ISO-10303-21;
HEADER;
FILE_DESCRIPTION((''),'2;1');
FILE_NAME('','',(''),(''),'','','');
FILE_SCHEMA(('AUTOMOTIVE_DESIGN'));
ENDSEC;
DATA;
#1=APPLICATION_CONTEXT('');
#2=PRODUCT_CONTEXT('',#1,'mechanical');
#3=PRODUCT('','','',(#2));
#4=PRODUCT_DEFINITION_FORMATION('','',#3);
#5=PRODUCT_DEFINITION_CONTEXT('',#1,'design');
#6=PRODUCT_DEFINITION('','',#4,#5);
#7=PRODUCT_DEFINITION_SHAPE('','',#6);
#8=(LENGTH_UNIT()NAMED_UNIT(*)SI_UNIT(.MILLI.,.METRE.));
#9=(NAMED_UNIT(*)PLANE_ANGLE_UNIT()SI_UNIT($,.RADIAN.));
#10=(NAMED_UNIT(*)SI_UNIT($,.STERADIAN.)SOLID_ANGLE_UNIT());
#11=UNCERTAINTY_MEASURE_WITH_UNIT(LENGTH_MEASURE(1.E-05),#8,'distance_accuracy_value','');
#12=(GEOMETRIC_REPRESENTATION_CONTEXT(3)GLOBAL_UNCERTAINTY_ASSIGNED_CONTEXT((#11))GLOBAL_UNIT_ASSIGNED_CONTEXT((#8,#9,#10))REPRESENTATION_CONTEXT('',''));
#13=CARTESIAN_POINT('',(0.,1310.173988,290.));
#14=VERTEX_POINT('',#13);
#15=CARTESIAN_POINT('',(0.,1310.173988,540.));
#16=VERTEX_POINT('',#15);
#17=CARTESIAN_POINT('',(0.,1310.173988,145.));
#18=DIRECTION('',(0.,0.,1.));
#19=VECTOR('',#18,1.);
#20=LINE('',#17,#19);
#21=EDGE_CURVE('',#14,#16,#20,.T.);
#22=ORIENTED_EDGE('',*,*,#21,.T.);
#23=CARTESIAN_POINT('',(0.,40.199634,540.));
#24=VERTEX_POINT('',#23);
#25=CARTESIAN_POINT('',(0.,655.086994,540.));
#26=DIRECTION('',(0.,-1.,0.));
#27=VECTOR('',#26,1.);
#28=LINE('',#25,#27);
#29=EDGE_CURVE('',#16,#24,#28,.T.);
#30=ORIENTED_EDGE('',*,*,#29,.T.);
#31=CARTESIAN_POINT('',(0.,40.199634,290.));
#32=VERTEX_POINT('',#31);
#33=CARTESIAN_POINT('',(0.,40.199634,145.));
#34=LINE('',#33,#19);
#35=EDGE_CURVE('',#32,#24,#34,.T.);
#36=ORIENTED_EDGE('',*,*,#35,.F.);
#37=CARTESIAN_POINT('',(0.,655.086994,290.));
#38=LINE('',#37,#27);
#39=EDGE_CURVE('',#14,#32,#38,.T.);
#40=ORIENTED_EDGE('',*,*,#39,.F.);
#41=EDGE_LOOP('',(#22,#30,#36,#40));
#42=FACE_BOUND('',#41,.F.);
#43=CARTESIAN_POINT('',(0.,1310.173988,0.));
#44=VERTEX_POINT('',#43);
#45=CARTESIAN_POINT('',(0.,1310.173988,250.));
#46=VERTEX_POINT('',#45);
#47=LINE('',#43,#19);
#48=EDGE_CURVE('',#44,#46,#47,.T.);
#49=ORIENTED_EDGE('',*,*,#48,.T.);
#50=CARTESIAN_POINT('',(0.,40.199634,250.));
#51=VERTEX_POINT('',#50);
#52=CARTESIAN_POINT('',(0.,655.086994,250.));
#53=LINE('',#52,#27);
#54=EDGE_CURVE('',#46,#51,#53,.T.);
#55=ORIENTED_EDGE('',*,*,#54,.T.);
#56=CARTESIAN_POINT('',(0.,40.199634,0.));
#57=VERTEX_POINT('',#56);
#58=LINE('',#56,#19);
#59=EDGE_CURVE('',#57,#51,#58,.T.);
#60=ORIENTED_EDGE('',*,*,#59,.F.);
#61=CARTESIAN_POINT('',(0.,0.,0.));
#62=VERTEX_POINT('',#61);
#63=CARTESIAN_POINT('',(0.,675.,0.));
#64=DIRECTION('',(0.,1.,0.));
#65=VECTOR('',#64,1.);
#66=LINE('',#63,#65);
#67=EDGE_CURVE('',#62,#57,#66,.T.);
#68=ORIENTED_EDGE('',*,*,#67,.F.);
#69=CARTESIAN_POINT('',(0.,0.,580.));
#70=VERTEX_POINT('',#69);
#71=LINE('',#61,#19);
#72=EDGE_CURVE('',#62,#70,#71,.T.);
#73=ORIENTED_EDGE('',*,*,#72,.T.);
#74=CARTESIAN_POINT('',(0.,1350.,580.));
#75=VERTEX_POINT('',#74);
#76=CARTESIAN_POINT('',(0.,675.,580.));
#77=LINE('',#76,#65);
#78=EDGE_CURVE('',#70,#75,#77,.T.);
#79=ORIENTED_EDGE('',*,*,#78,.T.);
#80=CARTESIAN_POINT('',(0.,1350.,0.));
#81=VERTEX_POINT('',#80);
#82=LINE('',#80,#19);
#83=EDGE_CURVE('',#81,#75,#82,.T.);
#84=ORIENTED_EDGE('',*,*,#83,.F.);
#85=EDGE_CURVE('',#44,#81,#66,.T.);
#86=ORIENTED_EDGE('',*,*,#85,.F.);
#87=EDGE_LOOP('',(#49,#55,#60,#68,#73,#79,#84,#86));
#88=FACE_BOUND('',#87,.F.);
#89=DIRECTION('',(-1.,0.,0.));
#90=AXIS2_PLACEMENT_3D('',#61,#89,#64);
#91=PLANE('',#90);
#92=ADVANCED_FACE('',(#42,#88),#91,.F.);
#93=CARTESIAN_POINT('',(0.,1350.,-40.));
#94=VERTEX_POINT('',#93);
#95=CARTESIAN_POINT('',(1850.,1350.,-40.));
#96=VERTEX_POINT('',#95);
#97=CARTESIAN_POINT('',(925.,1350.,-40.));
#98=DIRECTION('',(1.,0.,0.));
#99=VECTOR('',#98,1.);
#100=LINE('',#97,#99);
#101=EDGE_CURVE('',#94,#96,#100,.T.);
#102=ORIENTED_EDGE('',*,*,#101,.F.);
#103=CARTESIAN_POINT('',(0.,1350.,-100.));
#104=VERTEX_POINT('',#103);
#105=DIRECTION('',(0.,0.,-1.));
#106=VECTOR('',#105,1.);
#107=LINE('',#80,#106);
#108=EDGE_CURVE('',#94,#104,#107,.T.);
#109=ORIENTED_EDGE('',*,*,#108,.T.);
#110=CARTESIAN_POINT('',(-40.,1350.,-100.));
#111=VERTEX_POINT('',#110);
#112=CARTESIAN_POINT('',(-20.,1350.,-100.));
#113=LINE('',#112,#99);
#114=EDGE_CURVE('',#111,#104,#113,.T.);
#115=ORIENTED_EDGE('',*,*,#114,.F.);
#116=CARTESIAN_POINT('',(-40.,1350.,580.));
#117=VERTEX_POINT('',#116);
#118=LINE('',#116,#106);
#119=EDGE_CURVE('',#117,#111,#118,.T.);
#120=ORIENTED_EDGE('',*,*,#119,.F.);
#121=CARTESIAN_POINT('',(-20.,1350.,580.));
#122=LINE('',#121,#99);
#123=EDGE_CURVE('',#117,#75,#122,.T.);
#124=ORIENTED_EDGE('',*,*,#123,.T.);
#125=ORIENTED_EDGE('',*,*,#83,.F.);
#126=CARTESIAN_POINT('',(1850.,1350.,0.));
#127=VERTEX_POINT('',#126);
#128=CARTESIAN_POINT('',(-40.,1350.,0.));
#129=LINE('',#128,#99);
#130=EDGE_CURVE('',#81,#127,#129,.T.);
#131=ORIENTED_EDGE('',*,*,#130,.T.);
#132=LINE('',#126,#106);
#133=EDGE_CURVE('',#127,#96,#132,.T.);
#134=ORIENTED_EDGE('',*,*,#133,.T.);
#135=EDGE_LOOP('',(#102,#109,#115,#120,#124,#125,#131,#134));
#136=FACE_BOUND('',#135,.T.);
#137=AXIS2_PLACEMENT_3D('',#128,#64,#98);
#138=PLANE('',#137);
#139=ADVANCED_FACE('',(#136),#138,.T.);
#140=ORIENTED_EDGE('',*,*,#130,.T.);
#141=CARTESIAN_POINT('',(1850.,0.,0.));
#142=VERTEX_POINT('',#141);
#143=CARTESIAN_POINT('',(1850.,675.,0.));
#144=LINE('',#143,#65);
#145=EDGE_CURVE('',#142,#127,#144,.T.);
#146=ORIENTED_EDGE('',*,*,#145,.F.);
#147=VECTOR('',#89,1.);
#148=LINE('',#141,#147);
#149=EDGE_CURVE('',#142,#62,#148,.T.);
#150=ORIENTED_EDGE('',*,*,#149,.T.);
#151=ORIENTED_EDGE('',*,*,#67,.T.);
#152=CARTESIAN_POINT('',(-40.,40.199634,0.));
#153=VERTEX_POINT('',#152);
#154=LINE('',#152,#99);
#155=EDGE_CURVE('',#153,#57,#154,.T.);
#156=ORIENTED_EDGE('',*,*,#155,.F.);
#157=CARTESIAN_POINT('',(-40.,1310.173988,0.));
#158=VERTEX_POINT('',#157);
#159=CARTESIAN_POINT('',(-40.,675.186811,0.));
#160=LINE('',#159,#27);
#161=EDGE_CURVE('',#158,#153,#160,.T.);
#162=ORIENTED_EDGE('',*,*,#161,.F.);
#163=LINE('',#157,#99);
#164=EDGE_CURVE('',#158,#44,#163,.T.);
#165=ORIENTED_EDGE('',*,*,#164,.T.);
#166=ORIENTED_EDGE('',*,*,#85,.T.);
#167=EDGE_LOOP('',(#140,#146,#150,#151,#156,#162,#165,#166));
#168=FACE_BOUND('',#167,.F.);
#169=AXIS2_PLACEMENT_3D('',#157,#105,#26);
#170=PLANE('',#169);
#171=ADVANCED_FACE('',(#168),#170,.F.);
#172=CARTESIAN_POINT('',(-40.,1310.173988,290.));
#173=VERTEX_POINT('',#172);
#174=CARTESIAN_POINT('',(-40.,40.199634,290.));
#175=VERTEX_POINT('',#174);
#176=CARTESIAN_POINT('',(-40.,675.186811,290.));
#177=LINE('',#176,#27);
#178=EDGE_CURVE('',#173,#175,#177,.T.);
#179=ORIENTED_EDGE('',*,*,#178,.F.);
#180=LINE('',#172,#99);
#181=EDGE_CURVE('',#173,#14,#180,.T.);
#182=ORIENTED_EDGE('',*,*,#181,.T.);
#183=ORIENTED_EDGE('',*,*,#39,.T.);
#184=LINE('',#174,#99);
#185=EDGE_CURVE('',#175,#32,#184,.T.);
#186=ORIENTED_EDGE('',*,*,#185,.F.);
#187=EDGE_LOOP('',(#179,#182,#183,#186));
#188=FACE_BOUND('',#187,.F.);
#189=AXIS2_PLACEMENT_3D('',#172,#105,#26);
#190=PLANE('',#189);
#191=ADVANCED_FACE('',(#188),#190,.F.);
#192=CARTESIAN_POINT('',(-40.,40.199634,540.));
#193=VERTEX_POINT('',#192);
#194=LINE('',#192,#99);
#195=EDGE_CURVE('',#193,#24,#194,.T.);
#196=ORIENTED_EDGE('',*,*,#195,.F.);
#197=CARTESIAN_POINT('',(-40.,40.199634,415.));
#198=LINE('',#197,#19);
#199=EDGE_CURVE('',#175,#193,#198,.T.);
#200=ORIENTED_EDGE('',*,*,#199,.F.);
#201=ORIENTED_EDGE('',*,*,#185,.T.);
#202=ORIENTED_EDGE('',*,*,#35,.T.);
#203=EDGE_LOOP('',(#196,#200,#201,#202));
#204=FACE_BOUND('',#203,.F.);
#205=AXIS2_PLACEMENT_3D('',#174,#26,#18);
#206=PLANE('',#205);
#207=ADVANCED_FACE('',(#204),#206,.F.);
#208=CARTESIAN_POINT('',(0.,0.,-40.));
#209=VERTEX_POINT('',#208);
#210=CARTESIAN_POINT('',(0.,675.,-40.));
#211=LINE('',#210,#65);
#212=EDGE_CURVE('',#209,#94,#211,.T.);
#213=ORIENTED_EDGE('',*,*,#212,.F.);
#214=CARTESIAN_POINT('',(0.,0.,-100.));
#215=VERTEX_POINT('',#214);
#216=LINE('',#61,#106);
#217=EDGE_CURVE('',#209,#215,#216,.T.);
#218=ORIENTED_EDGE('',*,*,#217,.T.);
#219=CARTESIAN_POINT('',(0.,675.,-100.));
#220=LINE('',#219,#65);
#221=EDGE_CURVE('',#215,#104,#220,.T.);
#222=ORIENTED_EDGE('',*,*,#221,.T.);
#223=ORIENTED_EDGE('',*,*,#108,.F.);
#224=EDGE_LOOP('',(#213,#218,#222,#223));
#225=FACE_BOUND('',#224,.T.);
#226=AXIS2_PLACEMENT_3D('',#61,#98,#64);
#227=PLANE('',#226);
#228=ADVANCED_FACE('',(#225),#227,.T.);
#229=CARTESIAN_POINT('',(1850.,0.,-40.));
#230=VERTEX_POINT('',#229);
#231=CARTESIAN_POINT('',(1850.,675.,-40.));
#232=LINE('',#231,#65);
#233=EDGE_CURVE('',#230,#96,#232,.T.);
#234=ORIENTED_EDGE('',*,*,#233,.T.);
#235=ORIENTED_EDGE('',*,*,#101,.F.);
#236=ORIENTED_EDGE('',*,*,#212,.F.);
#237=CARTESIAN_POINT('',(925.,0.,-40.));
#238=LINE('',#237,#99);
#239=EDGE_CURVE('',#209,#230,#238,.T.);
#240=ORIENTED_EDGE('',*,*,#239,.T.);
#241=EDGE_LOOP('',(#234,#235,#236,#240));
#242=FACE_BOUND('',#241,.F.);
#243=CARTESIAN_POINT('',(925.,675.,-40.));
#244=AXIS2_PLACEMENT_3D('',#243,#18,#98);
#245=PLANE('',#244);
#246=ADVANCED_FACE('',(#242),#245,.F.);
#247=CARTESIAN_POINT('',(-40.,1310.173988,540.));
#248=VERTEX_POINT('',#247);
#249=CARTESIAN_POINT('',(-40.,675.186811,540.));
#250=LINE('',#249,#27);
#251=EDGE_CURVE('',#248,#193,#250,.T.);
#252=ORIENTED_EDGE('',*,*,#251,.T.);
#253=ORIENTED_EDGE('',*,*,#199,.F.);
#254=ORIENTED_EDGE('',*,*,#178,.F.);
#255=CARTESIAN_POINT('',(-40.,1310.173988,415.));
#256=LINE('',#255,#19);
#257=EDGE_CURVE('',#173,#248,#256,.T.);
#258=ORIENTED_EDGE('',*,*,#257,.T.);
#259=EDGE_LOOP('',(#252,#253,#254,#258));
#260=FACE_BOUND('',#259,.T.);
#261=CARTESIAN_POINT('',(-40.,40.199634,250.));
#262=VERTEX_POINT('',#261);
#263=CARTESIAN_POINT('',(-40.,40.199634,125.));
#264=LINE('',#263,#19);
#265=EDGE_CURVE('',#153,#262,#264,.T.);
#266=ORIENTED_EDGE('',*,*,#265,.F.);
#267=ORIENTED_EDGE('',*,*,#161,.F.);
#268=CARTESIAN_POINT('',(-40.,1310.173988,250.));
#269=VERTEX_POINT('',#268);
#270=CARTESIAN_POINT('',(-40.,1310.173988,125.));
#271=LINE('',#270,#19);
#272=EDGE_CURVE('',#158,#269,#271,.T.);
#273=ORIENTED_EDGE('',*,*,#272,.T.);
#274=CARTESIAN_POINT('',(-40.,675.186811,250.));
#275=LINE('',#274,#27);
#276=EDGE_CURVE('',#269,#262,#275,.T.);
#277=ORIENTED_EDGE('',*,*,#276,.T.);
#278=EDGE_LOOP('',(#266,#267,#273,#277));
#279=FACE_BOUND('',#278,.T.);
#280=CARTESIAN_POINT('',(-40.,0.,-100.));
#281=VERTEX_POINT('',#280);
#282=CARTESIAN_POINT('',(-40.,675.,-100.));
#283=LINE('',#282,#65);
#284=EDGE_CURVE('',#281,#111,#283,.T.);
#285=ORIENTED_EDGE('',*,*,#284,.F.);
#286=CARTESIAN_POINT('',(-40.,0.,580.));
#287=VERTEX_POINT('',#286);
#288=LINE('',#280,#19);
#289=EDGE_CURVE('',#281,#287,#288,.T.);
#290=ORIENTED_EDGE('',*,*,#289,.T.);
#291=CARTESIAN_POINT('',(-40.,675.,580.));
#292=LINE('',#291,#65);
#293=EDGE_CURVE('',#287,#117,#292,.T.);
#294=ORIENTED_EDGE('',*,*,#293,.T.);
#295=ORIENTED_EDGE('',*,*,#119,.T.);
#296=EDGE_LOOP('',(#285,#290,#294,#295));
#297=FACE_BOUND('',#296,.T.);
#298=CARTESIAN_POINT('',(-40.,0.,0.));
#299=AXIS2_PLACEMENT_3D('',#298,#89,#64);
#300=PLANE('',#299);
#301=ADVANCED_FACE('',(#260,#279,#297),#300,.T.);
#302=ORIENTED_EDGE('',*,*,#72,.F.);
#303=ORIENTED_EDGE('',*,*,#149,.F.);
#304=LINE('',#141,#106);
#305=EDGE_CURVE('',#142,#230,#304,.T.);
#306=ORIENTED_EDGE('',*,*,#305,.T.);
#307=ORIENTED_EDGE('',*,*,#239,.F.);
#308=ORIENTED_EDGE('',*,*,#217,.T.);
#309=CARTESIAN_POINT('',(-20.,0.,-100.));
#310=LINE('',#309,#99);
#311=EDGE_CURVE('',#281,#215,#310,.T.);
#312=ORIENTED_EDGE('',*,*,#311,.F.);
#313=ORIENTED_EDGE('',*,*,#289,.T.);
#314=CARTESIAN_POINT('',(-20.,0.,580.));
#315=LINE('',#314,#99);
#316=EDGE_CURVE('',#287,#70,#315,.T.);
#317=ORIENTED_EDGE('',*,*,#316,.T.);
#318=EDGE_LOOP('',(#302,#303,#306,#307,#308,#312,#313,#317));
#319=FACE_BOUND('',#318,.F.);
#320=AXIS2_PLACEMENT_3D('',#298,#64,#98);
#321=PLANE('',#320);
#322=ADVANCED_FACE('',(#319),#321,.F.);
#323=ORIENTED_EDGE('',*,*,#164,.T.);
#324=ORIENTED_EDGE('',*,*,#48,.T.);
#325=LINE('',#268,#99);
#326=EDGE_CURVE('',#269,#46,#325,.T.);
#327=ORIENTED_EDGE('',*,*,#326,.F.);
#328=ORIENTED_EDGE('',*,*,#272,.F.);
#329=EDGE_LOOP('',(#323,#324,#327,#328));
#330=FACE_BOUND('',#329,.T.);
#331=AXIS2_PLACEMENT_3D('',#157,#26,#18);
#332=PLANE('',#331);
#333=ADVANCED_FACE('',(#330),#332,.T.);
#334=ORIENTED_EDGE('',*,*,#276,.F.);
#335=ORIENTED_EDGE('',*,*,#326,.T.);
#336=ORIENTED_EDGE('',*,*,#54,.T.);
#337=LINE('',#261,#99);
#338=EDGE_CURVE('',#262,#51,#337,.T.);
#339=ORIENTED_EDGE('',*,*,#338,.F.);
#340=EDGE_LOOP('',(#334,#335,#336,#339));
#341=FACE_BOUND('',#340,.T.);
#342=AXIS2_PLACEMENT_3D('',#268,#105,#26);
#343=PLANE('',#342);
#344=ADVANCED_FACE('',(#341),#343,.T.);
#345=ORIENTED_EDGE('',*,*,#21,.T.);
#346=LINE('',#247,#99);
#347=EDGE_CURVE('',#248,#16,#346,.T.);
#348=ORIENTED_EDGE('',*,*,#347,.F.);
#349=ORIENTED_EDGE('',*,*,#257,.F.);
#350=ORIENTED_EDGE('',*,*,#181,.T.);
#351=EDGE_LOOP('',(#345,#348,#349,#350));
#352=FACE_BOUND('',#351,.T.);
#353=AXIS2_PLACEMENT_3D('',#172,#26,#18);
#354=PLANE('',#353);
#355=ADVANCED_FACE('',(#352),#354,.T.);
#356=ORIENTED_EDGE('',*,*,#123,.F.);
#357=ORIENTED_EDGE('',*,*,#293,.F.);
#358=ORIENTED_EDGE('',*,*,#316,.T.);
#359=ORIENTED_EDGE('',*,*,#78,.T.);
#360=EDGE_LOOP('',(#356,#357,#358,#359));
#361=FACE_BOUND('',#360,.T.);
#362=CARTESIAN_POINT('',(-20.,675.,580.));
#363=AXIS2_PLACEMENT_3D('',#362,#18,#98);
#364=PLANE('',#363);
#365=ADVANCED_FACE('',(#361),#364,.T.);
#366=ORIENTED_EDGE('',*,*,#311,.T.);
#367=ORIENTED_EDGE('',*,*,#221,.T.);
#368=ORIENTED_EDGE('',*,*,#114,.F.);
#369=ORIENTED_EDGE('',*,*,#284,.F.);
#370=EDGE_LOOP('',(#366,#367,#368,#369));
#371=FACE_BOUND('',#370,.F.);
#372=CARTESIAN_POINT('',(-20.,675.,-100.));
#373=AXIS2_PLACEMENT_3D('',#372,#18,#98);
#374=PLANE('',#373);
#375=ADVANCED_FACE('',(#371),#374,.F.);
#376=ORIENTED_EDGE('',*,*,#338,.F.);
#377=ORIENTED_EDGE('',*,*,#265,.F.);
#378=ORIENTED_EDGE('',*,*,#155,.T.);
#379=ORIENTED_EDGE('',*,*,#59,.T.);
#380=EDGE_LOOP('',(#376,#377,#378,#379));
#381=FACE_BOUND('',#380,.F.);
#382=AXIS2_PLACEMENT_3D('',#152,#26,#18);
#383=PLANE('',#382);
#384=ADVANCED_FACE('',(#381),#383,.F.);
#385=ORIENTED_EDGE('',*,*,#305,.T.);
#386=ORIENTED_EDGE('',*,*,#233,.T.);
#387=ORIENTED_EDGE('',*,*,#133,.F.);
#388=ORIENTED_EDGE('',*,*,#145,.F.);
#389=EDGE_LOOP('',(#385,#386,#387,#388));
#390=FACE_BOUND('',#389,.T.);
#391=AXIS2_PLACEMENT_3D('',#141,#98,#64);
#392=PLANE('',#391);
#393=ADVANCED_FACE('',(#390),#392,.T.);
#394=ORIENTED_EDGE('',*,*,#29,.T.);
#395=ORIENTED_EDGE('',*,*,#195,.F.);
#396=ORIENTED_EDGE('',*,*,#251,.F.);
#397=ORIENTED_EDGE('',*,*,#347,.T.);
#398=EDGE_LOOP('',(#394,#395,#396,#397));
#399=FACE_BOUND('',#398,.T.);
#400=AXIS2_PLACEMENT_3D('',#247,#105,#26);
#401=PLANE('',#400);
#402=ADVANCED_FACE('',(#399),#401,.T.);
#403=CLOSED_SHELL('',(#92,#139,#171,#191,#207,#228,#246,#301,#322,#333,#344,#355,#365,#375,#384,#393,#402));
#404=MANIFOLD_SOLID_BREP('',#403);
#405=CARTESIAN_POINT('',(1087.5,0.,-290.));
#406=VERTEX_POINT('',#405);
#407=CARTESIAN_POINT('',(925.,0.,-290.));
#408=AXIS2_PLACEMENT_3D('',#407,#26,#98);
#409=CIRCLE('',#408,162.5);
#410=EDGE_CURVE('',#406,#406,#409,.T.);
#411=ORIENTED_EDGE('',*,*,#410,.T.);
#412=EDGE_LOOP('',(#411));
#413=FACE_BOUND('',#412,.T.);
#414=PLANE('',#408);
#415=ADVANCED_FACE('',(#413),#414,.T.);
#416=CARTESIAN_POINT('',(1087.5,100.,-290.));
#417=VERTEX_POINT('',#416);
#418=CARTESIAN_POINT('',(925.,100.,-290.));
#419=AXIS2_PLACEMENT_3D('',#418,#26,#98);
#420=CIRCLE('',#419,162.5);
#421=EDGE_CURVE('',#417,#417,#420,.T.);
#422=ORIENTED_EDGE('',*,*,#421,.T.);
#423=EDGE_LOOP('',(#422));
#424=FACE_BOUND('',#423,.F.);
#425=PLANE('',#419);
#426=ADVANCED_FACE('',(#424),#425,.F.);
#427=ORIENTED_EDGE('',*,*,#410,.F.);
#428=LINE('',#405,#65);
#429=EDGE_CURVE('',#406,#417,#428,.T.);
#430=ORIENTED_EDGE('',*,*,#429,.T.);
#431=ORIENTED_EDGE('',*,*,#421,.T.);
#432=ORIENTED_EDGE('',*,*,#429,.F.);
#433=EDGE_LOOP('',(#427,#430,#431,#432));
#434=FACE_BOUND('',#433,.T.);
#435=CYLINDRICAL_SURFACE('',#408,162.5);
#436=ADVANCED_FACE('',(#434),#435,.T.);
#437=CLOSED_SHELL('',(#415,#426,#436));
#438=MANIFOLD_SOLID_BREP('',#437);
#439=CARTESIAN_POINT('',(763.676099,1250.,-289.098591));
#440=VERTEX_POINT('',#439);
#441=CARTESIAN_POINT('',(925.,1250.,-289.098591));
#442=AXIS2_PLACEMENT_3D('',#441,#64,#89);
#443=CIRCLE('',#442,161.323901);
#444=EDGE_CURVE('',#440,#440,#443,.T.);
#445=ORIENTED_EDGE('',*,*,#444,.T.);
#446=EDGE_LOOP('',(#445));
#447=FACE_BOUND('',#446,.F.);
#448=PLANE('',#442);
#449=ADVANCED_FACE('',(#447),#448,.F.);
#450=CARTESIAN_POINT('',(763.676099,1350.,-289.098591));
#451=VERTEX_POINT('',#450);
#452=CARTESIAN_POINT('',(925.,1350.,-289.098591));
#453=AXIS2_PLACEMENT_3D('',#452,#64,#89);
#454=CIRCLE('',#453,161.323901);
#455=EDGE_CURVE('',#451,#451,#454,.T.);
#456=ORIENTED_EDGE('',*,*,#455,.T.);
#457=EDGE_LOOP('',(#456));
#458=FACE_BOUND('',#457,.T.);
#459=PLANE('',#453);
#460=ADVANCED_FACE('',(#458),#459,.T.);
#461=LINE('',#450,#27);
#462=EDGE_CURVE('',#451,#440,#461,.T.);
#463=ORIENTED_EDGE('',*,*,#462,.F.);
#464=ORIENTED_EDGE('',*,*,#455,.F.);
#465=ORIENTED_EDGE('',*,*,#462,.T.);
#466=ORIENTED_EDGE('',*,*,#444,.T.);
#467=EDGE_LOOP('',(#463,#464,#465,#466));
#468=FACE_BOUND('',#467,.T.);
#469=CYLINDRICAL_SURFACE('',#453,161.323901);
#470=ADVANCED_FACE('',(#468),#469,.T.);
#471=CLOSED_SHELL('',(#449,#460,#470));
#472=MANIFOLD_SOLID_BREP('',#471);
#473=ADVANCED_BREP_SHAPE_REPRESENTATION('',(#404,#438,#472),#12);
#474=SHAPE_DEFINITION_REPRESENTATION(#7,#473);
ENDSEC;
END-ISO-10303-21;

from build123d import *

# Parameters (mm, degrees)
F0_W          = 1850
F0_H          = 1350
F1_DEPTH      = 40
F2_W          = 40
F2_H          = 1350
F3_DEPTH      = 100
F3_DEPTH_BACK = 580
F4_R          = 162.5
F5_DEPTH      = 100
F6_R          = 161.3239006066
F7_DEPTH      = 100
F8_W          = 1269.9743546546
F8_H          = 250
F9_DEPTH      = 100
F10_DEPTH     = 100


with BuildPart() as f1:
    # F0 (on Top) → F1 (new body)
    with BuildSketch(Plane.XY):
        with Locations((925, 675)):
            Rectangle(F0_W, F0_H)
    extrude(amount=-F1_DEPTH)

    # F2 (on Top) → F3 (join, two sides)
    with BuildSketch(Plane.XY) as f3_sk:
        with Locations((-20, 675)):
            Rectangle(F2_W, F2_H)
    extrude(amount=-F3_DEPTH)
    extrude(f3_sk.sketch, amount=F3_DEPTH_BACK)

    # F8 (on face) → F9 (cut)
    with BuildSketch(Plane(origin=(-40, 0, 0), x_dir=(0, -1, 0), z_dir=(-1, 0, 0))):
        with Locations((-675.186811015, 415)):
            Rectangle(F8_W, F8_H)
    extrude(amount=-F9_DEPTH, mode=Mode.SUBTRACT)

    # F8 (on face) → F10 (cut)
    with BuildSketch(Plane(origin=(-40, 0, 0), x_dir=(0, -1, 0), z_dir=(-1, 0, 0))):
        with Locations((-675.186811015, 415)):
            Rectangle(F8_W, F8_H)
        with Locations((-675.186811015, 125)):
            Rectangle(F8_W, F8_H)
    extrude(amount=-F10_DEPTH, mode=Mode.SUBTRACT)


with BuildPart() as f5:
    # F4 (on face) → F5 (new body)
    with BuildSketch(Plane.XZ):
        with Locations((925, -290)):
            Circle(F4_R)
    extrude(amount=-F5_DEPTH)


with BuildPart() as f7:
    # F6 (on face) → F7 (new body)
    with BuildSketch(Plane(origin=(0, 1350, 0), x_dir=(-1, 0, 0), z_dir=(0, 1, 0))):
        with Locations((-925, -289.0985906124)):
            Circle(F6_R)
    extrude(amount=-F7_DEPTH)


solid = Compound([f1.part, f5.part, f7.part])
